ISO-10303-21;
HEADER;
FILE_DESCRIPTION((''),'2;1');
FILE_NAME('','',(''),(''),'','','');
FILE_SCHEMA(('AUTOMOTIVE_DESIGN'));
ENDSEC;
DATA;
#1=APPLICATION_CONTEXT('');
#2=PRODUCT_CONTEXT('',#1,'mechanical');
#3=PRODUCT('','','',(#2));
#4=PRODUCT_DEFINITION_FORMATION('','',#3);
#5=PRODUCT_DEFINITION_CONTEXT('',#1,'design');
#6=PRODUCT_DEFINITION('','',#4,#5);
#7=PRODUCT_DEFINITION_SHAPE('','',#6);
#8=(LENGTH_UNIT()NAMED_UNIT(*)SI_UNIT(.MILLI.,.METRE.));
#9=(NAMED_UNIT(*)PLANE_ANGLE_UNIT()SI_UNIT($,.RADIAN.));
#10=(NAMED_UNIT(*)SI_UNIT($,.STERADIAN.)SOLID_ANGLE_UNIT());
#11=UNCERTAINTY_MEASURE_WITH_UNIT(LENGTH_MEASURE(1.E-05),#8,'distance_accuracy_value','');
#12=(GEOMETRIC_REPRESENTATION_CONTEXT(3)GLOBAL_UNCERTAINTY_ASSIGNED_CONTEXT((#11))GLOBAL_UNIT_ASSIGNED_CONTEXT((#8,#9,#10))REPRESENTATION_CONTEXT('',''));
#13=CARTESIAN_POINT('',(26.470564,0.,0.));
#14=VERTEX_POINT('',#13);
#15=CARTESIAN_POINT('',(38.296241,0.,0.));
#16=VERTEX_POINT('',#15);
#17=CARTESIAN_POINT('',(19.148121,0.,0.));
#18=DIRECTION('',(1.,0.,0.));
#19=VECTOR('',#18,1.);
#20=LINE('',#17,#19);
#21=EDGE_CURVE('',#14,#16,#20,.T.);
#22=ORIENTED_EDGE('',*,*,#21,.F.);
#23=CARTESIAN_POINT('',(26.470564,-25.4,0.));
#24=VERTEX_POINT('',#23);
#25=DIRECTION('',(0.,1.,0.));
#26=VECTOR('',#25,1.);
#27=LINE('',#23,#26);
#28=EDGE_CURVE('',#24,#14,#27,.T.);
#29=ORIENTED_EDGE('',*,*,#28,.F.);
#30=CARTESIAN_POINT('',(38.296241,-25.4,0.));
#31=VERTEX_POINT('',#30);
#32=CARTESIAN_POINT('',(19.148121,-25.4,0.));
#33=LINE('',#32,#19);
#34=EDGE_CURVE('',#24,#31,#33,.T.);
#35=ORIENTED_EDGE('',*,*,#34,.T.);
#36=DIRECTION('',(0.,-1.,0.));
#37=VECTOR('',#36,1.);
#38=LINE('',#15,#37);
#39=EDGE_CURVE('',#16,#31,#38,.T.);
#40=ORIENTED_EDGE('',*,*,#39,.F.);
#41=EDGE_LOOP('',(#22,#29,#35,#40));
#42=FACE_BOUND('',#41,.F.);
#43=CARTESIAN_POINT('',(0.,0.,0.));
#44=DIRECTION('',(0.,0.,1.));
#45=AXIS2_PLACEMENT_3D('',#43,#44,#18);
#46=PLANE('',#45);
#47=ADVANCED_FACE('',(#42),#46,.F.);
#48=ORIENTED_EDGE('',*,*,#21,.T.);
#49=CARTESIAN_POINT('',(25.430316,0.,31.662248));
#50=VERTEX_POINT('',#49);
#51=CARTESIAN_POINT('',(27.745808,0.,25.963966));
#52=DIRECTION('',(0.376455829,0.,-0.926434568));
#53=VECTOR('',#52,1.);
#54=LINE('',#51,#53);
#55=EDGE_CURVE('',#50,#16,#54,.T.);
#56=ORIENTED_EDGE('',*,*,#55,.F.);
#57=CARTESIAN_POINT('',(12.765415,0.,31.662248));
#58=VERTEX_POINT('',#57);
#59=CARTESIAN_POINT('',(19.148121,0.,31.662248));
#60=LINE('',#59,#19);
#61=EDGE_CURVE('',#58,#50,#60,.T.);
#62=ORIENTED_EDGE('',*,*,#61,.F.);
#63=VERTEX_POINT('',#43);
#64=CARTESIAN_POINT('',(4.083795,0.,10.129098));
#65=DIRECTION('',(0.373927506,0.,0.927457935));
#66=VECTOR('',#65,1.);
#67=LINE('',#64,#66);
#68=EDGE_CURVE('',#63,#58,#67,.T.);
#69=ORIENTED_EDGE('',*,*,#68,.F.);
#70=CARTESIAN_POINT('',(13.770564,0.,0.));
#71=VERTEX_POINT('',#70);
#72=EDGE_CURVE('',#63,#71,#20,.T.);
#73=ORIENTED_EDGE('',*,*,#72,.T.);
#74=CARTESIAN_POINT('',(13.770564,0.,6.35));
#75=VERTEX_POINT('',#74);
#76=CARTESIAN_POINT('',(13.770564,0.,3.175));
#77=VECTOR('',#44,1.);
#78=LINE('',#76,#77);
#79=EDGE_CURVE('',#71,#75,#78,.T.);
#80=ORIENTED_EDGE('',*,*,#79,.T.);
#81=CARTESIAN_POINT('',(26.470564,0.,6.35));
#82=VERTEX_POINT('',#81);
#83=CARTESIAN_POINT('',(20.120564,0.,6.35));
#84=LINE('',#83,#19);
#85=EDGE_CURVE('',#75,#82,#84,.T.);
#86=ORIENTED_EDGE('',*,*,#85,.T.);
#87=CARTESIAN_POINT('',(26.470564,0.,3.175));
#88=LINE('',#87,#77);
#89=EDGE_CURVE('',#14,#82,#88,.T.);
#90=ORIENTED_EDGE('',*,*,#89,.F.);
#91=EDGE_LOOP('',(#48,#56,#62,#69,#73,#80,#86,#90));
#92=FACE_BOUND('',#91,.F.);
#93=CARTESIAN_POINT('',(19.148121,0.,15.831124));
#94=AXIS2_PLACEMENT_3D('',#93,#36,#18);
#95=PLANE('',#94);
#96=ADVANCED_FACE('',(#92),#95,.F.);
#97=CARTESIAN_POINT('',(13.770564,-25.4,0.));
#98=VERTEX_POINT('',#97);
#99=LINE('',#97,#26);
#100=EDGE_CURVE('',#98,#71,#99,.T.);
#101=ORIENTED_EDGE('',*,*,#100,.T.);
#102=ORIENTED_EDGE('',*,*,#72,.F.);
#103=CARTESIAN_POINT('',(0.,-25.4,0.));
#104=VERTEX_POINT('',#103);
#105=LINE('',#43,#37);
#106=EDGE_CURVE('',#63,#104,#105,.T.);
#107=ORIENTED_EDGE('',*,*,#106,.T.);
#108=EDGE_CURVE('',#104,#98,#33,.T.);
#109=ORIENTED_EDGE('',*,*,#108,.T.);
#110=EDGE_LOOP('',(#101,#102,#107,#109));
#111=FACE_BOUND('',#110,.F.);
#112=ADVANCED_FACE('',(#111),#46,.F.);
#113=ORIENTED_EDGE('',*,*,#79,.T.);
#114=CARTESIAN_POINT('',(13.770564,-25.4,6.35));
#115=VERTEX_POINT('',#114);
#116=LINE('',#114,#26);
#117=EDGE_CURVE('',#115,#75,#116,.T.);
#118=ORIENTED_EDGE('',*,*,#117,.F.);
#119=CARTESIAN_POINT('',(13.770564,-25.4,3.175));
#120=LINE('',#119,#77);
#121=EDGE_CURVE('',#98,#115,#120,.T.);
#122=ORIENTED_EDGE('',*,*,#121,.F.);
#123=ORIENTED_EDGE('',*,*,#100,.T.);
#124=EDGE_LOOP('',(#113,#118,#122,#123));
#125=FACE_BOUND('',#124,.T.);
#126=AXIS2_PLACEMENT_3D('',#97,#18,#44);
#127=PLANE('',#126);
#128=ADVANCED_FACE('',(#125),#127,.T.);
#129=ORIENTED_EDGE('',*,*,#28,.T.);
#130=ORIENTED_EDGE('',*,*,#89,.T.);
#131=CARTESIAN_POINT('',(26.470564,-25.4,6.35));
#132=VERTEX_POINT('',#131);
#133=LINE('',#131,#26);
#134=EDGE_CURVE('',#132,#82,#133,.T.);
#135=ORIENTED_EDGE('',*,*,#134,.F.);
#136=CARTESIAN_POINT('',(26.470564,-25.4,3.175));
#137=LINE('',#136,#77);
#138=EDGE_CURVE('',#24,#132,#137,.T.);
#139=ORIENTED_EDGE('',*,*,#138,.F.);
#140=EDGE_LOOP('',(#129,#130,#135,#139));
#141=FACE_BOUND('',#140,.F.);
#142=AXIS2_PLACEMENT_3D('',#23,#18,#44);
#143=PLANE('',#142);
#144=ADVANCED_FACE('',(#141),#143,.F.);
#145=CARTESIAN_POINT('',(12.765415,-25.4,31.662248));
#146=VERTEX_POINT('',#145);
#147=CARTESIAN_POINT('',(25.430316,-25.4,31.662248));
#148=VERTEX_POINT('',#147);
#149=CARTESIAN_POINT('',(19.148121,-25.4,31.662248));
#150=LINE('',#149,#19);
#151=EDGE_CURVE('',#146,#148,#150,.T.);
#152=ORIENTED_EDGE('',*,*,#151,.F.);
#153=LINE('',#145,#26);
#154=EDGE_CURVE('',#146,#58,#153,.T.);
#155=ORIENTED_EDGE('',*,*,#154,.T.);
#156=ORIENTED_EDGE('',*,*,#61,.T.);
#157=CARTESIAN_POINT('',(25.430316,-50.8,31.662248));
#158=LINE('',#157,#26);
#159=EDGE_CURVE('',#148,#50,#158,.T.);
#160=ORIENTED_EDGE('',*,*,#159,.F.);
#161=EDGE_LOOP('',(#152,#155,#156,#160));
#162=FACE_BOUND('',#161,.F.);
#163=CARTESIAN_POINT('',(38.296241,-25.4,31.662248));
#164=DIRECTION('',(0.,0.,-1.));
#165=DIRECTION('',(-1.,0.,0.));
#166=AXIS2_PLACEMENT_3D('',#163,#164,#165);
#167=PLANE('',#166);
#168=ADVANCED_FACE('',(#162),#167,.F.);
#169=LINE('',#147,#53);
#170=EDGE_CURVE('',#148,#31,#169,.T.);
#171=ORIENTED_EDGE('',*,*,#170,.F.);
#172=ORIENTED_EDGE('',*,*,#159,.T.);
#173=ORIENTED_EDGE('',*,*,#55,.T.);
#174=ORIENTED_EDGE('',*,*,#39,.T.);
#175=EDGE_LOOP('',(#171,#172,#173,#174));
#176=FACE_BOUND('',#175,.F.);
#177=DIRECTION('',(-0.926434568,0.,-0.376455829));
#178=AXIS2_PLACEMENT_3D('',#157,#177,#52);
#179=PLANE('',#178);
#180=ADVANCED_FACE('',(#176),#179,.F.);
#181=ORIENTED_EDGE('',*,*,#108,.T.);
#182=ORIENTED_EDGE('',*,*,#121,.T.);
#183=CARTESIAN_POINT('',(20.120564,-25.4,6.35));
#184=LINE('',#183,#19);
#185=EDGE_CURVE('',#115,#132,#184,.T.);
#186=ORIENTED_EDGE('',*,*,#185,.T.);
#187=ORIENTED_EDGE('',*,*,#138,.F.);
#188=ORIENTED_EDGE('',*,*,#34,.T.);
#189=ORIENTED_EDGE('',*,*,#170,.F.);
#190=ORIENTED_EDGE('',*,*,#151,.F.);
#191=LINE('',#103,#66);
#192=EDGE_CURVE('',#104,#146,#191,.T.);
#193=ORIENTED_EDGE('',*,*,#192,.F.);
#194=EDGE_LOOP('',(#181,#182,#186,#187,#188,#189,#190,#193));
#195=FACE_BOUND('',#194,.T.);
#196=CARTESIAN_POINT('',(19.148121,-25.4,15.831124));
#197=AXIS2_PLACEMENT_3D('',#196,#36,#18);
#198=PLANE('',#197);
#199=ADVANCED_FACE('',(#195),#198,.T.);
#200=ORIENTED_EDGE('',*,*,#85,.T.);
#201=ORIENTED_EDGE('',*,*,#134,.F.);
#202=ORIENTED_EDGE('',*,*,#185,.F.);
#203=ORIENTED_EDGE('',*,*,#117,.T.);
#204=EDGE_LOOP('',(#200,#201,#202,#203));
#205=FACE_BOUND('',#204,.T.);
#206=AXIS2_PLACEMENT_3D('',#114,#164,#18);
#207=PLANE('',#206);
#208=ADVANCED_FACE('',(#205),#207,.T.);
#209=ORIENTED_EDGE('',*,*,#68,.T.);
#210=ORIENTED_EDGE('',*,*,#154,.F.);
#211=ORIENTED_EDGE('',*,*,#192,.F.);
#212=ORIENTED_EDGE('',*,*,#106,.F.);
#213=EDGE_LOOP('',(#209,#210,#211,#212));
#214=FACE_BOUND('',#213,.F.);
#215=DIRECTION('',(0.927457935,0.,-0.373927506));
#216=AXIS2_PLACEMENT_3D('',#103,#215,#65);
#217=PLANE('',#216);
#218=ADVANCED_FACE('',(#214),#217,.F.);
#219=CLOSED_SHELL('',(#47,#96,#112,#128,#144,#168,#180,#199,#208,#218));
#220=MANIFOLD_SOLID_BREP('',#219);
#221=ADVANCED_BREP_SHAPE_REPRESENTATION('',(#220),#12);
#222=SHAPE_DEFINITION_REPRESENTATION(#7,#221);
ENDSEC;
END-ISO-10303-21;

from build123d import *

# Parameters (mm, degrees)
F0_W     = 38.2962413132
F0_H     = 31.662248075
F1_DEPTH = 25.4
F3_DEPTH = 25.401
F5_DEPTH = 25.4
F6_DEPTH = 50.801
F7_W     = 12.7
F7_H     = 6.35
F8_DEPTH = 25.4


with BuildPart() as f1:
    # F0 (on Front) → F1 (new body)
    with BuildSketch(Plane.XZ):
        with Locations((19.1481206566, 15.8311240375)):
            Rectangle(F0_W, F0_H)
    extrude(amount=F1_DEPTH)

    # F2 (on face) → F3 (cut, through all)
    with BuildSketch(Plane.XZ.offset(25.4)):
        Polygon((0, 31.662248075), (0, 0), (12.7654150128, 31.662248075), align=None)
    extrude(amount=-F3_DEPTH, mode=Mode.SUBTRACT)

    # F4 (on face) → F5 (join)
    with BuildSketch(Plane.XZ.offset(25.4)):
        Polygon((25.4303161055, 31.662248075), (38.2962413132, 0), (38.2962413132, 31.662248075), align=None)
    extrude(amount=F5_DEPTH)

    # F6 (cut, through all): a face of the model
    f6_faces = [f1.faces().sort_by_distance(p)[0] for p in [
        (34.0075995773, -50.8, 21.1081653833),
    ]]
    extrude(f6_faces, amount=-F6_DEPTH, mode=Mode.SUBTRACT)

    # F7 (on face) → F8 (cut)
    with BuildSketch(Plane.XZ.offset(25.4)):
        with Locations((20.1205644593, 3.175)):
            Rectangle(F7_W, F7_H)
    extrude(amount=-F8_DEPTH, mode=Mode.SUBTRACT)


solid = f1.part
